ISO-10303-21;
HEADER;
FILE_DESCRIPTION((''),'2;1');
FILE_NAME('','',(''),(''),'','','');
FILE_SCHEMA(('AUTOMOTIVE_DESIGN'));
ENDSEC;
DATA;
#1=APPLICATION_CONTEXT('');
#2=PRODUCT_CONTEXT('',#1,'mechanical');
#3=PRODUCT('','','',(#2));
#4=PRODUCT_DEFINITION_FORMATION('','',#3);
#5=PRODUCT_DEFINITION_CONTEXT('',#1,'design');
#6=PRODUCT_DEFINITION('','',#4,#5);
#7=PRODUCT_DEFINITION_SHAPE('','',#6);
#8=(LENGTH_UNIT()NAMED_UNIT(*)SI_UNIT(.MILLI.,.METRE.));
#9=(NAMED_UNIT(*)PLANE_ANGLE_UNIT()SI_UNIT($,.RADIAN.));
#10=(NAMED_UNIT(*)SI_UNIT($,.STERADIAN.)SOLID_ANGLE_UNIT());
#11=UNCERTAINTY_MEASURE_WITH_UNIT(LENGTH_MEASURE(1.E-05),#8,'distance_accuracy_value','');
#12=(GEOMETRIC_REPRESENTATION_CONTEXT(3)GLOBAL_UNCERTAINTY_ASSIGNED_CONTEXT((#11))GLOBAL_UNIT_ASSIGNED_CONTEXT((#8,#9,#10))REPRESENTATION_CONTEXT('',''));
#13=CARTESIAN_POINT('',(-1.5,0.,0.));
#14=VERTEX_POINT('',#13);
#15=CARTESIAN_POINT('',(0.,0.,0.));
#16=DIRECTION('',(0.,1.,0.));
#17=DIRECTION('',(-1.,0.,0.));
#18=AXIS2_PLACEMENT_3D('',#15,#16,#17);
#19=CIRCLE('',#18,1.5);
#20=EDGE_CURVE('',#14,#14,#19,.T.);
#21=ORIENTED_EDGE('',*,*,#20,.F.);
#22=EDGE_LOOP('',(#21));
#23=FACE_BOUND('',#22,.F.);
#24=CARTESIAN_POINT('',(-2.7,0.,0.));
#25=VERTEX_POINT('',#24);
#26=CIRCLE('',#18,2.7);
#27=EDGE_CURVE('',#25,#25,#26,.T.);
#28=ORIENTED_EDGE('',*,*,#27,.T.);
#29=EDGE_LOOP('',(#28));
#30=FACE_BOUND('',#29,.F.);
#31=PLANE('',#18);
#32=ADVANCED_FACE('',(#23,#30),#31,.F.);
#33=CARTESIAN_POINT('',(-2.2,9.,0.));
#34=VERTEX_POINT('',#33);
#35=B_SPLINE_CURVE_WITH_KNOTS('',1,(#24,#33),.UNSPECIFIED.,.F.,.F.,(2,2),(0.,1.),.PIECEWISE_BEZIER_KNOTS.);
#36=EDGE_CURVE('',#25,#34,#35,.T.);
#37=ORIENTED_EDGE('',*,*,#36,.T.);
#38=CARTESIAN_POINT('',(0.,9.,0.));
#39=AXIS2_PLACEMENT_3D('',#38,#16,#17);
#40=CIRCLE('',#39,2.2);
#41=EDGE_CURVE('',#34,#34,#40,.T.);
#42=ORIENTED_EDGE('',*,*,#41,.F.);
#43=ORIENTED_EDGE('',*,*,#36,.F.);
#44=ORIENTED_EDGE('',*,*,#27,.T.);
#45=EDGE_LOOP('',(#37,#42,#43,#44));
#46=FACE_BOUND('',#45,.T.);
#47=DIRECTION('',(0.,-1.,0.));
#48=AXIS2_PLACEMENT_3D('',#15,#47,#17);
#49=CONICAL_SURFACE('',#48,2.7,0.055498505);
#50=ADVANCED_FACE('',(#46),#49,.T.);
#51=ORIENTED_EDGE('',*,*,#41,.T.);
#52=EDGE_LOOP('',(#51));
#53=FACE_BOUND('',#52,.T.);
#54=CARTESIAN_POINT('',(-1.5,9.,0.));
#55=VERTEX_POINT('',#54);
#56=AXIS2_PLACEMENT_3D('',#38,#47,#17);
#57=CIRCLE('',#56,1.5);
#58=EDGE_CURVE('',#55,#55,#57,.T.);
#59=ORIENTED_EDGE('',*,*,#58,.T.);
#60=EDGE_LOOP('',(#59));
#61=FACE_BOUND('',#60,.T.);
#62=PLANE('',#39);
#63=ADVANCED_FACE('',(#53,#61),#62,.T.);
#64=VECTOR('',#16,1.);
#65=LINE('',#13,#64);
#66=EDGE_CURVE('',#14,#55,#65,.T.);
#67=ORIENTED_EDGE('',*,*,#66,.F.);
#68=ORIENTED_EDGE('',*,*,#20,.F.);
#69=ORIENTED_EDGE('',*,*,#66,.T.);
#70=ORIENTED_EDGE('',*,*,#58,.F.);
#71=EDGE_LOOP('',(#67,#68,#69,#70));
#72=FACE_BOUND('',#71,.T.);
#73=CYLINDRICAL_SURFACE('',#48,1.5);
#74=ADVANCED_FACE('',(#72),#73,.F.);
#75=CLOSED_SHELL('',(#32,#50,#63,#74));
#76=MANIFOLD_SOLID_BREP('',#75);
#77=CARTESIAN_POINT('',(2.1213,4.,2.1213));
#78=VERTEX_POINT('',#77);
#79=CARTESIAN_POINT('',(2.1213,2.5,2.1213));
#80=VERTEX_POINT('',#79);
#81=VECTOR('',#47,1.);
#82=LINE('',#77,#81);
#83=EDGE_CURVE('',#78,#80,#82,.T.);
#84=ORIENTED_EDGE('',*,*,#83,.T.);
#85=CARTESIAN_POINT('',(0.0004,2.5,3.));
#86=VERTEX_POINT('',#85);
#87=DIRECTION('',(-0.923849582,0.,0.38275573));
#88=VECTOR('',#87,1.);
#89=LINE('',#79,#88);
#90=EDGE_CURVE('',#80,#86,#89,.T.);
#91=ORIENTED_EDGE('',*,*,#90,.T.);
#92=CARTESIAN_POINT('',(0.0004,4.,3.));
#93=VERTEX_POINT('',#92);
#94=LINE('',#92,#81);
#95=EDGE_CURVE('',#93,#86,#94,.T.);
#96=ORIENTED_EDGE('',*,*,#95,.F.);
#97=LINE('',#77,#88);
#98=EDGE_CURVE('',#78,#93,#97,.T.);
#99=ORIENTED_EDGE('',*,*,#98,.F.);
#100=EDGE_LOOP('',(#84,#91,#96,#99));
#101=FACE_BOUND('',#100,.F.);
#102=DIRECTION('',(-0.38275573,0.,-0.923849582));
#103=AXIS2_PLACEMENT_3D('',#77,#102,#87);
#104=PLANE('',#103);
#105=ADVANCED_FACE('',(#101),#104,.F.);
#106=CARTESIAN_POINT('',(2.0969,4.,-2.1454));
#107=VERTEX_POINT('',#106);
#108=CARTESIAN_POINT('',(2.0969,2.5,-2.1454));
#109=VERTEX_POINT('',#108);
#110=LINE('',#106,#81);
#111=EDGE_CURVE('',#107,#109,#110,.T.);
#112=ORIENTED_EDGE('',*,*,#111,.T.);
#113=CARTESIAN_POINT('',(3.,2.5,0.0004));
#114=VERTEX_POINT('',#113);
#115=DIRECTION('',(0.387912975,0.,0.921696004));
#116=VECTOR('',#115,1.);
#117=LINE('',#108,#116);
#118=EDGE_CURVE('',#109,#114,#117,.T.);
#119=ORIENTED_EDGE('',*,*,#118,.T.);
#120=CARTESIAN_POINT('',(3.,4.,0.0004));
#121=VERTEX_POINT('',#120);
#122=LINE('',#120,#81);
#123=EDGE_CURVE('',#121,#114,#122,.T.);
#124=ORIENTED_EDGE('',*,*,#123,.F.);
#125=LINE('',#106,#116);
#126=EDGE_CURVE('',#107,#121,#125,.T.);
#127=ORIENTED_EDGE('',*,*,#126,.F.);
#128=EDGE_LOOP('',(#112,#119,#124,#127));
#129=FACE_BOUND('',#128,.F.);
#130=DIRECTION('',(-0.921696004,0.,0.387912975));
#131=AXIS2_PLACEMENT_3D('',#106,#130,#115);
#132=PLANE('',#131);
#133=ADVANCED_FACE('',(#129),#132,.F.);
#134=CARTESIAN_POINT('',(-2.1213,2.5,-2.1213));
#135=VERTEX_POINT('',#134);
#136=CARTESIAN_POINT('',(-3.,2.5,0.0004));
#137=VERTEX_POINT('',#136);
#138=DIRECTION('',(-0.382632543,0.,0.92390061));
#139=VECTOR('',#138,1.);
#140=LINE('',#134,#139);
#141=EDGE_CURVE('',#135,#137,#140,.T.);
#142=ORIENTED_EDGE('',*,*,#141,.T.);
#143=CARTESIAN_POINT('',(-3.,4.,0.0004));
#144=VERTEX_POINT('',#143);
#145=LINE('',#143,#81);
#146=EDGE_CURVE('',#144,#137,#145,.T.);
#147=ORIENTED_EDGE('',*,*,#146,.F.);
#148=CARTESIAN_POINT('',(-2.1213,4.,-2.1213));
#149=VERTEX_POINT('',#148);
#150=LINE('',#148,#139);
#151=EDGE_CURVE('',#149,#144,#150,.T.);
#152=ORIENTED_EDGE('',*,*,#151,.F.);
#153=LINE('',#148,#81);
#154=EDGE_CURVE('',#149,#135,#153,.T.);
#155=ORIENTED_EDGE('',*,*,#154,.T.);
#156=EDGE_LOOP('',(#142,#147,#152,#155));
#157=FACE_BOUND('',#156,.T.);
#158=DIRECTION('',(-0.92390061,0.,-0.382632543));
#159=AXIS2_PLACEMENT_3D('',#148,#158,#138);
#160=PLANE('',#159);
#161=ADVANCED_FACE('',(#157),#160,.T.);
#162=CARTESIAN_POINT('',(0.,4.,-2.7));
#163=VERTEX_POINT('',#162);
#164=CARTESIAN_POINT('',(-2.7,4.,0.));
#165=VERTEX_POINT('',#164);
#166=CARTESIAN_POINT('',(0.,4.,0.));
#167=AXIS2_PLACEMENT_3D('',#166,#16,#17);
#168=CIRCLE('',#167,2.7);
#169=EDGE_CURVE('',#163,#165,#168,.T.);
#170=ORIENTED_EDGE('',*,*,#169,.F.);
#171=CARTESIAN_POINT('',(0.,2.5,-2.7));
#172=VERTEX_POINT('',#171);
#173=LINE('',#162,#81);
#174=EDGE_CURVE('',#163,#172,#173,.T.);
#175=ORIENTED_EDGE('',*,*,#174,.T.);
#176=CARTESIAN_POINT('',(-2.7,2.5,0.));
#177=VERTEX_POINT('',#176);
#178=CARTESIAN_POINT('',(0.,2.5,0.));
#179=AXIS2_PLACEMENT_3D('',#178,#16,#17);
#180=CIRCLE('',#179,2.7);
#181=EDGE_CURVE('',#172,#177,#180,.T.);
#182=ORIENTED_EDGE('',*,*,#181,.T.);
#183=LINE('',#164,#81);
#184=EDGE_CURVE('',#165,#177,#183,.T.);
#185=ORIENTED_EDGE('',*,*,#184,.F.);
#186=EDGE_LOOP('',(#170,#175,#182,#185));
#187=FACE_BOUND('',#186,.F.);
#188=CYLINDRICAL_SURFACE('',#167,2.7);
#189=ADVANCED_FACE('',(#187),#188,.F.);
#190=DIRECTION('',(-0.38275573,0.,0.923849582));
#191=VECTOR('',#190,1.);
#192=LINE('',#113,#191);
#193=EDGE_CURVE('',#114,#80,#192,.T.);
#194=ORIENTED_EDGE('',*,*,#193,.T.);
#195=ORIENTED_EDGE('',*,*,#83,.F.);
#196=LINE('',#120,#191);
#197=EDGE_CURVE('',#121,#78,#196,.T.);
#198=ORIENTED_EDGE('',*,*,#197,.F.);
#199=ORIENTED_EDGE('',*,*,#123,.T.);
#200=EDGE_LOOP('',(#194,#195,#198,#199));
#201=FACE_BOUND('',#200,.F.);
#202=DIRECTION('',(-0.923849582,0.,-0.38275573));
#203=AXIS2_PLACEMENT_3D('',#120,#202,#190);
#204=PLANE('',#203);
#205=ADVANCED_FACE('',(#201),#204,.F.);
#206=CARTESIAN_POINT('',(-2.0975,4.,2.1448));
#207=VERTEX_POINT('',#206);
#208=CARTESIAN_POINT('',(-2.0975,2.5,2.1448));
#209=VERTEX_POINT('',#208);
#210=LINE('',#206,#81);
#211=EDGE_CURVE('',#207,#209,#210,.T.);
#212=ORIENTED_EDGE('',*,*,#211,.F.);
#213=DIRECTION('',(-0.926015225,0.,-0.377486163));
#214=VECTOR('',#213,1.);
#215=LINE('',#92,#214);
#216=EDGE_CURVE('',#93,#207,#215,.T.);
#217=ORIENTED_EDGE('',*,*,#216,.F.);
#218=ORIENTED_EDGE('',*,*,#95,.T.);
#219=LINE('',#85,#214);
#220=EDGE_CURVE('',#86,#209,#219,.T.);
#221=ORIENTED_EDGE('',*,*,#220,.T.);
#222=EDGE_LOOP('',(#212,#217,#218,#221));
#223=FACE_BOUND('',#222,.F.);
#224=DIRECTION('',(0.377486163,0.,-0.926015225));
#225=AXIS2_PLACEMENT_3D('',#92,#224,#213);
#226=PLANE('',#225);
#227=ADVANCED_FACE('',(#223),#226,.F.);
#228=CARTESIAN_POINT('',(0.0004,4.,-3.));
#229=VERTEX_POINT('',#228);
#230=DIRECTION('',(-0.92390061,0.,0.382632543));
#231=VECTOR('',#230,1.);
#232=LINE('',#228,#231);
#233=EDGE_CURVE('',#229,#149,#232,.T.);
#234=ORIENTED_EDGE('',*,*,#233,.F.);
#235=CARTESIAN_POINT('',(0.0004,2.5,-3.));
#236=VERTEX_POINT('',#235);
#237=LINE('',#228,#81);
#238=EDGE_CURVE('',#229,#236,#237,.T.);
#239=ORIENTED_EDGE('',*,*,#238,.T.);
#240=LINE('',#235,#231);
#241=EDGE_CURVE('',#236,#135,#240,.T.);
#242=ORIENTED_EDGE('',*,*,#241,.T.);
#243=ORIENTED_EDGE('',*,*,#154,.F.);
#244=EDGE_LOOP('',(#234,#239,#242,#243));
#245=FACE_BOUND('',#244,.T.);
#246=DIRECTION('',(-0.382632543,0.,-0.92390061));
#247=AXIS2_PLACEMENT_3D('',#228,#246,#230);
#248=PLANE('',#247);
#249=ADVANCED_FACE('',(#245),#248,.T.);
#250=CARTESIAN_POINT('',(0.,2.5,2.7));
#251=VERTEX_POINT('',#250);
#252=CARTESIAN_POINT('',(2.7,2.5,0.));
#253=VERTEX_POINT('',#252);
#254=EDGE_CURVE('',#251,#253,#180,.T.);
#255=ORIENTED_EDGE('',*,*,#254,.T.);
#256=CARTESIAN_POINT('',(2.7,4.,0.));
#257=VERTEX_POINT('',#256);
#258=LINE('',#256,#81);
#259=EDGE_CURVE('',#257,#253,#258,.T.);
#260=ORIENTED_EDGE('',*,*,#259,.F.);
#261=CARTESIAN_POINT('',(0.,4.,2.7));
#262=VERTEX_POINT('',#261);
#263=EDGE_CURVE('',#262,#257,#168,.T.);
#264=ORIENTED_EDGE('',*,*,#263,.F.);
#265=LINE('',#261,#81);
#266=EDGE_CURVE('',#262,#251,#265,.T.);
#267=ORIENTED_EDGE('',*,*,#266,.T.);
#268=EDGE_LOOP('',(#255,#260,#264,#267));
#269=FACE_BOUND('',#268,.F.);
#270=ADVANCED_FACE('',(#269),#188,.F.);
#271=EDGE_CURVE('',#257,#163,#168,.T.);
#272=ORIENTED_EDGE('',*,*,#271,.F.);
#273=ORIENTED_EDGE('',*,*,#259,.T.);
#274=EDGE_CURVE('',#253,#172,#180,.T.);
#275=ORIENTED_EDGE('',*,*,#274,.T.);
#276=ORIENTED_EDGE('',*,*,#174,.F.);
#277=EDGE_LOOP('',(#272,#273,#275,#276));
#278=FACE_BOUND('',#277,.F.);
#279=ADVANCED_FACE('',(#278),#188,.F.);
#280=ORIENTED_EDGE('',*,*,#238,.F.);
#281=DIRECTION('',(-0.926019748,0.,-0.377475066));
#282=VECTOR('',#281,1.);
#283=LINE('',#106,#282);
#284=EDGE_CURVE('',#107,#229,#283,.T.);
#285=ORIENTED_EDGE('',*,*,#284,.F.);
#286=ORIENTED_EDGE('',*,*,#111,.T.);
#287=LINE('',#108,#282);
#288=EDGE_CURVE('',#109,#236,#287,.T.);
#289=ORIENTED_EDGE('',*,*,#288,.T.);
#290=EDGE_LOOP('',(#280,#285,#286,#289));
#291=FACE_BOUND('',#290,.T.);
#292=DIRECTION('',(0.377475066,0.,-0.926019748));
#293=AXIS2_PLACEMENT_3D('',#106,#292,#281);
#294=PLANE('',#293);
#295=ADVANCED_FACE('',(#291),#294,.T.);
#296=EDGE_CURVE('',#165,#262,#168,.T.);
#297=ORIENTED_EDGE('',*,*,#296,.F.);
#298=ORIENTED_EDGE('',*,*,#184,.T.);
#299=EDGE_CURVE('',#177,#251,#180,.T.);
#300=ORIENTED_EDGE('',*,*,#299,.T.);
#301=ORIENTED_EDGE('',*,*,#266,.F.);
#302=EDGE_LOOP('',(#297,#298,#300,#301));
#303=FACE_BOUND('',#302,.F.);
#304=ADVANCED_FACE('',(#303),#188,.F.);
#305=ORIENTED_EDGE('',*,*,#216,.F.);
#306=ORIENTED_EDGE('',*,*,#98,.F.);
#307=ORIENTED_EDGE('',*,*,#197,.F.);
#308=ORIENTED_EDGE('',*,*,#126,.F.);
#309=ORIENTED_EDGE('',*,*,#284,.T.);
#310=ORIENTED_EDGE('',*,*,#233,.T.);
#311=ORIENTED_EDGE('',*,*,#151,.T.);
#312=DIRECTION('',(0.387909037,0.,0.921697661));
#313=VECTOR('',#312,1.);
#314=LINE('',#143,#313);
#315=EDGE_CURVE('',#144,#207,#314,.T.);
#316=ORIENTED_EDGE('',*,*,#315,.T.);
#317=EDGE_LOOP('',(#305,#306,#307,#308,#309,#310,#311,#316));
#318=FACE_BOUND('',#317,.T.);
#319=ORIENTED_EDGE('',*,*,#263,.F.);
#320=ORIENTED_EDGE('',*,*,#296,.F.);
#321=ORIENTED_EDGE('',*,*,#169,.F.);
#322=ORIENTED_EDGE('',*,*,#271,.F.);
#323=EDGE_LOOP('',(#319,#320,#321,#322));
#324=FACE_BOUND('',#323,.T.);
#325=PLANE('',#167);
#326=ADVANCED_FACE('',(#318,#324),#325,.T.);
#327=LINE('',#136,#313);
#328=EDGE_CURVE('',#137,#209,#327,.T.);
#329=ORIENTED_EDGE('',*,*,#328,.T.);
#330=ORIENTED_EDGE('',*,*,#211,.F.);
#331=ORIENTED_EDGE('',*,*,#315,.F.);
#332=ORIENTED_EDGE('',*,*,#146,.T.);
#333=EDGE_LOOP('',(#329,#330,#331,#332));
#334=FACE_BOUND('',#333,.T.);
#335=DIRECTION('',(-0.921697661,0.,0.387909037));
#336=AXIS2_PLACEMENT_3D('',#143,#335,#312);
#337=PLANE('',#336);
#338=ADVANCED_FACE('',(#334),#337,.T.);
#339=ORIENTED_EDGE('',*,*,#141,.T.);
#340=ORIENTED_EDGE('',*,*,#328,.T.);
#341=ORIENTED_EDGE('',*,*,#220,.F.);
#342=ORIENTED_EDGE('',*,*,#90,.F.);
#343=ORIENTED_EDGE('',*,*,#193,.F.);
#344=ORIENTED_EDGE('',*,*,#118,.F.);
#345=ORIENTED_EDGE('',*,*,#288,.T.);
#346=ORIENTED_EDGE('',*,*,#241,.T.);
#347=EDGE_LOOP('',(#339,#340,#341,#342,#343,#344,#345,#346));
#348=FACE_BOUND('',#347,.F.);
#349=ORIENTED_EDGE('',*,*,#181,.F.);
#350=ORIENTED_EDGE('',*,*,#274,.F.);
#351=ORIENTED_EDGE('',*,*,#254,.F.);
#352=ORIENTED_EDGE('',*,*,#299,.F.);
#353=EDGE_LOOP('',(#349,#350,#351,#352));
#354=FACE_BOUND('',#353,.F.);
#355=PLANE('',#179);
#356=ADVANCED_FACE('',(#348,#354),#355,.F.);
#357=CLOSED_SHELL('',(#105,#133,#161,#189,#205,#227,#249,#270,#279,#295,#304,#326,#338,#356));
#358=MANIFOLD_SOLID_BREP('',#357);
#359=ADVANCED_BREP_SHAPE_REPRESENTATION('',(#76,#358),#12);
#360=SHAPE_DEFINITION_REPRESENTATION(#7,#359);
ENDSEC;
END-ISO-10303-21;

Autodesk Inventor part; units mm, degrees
ref_plane "YZ Plane" through (0, 0, 0) normal (1, 0, 0) x (0, 1, 0)
sketch "Boceto1" plane through (0, 0, 0) normal (0, 1, 0) x (-1, 0, 0)
  circle A0 centre (0, 0) radius 2.7
  circle A1 centre (0, 0) radius 1.5
  dimension "d0" = 5.4
  dimension "d1" = 3
ref_plane "Plano de trabajo1" through (0, 9, 0) normal (0, 1, 0) x (-1, 0, 0)
sketch "Boceto2" plane through (0, 9, 0) normal (0, 1, 0) x (-1, 0, 0)
  circle A0 centre (0, 0) radius 1.5
  circle A1 centre (0, 0) radius 2.2
  dimension "d3" = 3
  dimension "d4" = 4.4
sketch "Boceto3" plane through (0, 0, 0) normal (0, 0, 1) x (1, 0, 0)
  point P0 (0, 0)
loft "Solevación1" add profiles "Boceto1", "Boceto2" contours A0 | A1 / A0 | A1
sketch "Boceto4" plane through (0, 0, 0) normal (0, 1, 0) x (-1, 0, 0)
  circle A0 centre (0, 0) radius 1.5
  dimension "d10" = 3
extrude "Extrusión1" cut sketch "Boceto4" along normal blind 10
ref_plane "Plano de trabajo2" through (0, 4, 0) normal (0, 1, 0) x (-1, 0, 0)
sketch "Boceto5" plane through (0, 4, 0) normal (0, 1, 0) x (-1, 0, 0)
  line L0 (-3, 0.0004) -> (1, 0.0004) construction
  circle A0 centre (0, 0) radius 2.7 projected
  line L1 (0, 2.7) -> (-2.7, 0)
  line L2 (0, -2.7) -> (-2.7, 0)
  line L3 (0, -2.7) -> (2.7, 0)
  line L4 (2.7, 0) -> (0, 2.7)
  line L5 (3.2285, -3.2285) -> (7.2285, -3.2285) construction
  line L6 (2.1213, -2.1213) -> (3, 0.0004)
  line L7 (3, 0.0004) -> (2.0975, 2.1448)
  line L8 (-2.0969, -2.1454) -> (-3, 0.0004)
  line L9 (-3, 0.0004) -> (-2.1213, 2.1213)
  line L10 (-0.0004, -3) -> (2.1213, -2.1213)
  line L11 (-2.0969, -2.1454) -> (-0.0004, -3)
  line L12 (-2.1213, 2.1213) -> (-0.0004, 3)
  line L13 (-0.0004, 3) -> (2.0975, 2.1448)
  circle A1 centre (0, 0) radius 1.5
  dimension "d33" = 3
extrude "Extrusión2" add sketch "Boceto5" against normal blind 1.5 contours L10 L11 L8 L9 L12 L13 L7 L6
properties part number "Tuerca_Conica"
